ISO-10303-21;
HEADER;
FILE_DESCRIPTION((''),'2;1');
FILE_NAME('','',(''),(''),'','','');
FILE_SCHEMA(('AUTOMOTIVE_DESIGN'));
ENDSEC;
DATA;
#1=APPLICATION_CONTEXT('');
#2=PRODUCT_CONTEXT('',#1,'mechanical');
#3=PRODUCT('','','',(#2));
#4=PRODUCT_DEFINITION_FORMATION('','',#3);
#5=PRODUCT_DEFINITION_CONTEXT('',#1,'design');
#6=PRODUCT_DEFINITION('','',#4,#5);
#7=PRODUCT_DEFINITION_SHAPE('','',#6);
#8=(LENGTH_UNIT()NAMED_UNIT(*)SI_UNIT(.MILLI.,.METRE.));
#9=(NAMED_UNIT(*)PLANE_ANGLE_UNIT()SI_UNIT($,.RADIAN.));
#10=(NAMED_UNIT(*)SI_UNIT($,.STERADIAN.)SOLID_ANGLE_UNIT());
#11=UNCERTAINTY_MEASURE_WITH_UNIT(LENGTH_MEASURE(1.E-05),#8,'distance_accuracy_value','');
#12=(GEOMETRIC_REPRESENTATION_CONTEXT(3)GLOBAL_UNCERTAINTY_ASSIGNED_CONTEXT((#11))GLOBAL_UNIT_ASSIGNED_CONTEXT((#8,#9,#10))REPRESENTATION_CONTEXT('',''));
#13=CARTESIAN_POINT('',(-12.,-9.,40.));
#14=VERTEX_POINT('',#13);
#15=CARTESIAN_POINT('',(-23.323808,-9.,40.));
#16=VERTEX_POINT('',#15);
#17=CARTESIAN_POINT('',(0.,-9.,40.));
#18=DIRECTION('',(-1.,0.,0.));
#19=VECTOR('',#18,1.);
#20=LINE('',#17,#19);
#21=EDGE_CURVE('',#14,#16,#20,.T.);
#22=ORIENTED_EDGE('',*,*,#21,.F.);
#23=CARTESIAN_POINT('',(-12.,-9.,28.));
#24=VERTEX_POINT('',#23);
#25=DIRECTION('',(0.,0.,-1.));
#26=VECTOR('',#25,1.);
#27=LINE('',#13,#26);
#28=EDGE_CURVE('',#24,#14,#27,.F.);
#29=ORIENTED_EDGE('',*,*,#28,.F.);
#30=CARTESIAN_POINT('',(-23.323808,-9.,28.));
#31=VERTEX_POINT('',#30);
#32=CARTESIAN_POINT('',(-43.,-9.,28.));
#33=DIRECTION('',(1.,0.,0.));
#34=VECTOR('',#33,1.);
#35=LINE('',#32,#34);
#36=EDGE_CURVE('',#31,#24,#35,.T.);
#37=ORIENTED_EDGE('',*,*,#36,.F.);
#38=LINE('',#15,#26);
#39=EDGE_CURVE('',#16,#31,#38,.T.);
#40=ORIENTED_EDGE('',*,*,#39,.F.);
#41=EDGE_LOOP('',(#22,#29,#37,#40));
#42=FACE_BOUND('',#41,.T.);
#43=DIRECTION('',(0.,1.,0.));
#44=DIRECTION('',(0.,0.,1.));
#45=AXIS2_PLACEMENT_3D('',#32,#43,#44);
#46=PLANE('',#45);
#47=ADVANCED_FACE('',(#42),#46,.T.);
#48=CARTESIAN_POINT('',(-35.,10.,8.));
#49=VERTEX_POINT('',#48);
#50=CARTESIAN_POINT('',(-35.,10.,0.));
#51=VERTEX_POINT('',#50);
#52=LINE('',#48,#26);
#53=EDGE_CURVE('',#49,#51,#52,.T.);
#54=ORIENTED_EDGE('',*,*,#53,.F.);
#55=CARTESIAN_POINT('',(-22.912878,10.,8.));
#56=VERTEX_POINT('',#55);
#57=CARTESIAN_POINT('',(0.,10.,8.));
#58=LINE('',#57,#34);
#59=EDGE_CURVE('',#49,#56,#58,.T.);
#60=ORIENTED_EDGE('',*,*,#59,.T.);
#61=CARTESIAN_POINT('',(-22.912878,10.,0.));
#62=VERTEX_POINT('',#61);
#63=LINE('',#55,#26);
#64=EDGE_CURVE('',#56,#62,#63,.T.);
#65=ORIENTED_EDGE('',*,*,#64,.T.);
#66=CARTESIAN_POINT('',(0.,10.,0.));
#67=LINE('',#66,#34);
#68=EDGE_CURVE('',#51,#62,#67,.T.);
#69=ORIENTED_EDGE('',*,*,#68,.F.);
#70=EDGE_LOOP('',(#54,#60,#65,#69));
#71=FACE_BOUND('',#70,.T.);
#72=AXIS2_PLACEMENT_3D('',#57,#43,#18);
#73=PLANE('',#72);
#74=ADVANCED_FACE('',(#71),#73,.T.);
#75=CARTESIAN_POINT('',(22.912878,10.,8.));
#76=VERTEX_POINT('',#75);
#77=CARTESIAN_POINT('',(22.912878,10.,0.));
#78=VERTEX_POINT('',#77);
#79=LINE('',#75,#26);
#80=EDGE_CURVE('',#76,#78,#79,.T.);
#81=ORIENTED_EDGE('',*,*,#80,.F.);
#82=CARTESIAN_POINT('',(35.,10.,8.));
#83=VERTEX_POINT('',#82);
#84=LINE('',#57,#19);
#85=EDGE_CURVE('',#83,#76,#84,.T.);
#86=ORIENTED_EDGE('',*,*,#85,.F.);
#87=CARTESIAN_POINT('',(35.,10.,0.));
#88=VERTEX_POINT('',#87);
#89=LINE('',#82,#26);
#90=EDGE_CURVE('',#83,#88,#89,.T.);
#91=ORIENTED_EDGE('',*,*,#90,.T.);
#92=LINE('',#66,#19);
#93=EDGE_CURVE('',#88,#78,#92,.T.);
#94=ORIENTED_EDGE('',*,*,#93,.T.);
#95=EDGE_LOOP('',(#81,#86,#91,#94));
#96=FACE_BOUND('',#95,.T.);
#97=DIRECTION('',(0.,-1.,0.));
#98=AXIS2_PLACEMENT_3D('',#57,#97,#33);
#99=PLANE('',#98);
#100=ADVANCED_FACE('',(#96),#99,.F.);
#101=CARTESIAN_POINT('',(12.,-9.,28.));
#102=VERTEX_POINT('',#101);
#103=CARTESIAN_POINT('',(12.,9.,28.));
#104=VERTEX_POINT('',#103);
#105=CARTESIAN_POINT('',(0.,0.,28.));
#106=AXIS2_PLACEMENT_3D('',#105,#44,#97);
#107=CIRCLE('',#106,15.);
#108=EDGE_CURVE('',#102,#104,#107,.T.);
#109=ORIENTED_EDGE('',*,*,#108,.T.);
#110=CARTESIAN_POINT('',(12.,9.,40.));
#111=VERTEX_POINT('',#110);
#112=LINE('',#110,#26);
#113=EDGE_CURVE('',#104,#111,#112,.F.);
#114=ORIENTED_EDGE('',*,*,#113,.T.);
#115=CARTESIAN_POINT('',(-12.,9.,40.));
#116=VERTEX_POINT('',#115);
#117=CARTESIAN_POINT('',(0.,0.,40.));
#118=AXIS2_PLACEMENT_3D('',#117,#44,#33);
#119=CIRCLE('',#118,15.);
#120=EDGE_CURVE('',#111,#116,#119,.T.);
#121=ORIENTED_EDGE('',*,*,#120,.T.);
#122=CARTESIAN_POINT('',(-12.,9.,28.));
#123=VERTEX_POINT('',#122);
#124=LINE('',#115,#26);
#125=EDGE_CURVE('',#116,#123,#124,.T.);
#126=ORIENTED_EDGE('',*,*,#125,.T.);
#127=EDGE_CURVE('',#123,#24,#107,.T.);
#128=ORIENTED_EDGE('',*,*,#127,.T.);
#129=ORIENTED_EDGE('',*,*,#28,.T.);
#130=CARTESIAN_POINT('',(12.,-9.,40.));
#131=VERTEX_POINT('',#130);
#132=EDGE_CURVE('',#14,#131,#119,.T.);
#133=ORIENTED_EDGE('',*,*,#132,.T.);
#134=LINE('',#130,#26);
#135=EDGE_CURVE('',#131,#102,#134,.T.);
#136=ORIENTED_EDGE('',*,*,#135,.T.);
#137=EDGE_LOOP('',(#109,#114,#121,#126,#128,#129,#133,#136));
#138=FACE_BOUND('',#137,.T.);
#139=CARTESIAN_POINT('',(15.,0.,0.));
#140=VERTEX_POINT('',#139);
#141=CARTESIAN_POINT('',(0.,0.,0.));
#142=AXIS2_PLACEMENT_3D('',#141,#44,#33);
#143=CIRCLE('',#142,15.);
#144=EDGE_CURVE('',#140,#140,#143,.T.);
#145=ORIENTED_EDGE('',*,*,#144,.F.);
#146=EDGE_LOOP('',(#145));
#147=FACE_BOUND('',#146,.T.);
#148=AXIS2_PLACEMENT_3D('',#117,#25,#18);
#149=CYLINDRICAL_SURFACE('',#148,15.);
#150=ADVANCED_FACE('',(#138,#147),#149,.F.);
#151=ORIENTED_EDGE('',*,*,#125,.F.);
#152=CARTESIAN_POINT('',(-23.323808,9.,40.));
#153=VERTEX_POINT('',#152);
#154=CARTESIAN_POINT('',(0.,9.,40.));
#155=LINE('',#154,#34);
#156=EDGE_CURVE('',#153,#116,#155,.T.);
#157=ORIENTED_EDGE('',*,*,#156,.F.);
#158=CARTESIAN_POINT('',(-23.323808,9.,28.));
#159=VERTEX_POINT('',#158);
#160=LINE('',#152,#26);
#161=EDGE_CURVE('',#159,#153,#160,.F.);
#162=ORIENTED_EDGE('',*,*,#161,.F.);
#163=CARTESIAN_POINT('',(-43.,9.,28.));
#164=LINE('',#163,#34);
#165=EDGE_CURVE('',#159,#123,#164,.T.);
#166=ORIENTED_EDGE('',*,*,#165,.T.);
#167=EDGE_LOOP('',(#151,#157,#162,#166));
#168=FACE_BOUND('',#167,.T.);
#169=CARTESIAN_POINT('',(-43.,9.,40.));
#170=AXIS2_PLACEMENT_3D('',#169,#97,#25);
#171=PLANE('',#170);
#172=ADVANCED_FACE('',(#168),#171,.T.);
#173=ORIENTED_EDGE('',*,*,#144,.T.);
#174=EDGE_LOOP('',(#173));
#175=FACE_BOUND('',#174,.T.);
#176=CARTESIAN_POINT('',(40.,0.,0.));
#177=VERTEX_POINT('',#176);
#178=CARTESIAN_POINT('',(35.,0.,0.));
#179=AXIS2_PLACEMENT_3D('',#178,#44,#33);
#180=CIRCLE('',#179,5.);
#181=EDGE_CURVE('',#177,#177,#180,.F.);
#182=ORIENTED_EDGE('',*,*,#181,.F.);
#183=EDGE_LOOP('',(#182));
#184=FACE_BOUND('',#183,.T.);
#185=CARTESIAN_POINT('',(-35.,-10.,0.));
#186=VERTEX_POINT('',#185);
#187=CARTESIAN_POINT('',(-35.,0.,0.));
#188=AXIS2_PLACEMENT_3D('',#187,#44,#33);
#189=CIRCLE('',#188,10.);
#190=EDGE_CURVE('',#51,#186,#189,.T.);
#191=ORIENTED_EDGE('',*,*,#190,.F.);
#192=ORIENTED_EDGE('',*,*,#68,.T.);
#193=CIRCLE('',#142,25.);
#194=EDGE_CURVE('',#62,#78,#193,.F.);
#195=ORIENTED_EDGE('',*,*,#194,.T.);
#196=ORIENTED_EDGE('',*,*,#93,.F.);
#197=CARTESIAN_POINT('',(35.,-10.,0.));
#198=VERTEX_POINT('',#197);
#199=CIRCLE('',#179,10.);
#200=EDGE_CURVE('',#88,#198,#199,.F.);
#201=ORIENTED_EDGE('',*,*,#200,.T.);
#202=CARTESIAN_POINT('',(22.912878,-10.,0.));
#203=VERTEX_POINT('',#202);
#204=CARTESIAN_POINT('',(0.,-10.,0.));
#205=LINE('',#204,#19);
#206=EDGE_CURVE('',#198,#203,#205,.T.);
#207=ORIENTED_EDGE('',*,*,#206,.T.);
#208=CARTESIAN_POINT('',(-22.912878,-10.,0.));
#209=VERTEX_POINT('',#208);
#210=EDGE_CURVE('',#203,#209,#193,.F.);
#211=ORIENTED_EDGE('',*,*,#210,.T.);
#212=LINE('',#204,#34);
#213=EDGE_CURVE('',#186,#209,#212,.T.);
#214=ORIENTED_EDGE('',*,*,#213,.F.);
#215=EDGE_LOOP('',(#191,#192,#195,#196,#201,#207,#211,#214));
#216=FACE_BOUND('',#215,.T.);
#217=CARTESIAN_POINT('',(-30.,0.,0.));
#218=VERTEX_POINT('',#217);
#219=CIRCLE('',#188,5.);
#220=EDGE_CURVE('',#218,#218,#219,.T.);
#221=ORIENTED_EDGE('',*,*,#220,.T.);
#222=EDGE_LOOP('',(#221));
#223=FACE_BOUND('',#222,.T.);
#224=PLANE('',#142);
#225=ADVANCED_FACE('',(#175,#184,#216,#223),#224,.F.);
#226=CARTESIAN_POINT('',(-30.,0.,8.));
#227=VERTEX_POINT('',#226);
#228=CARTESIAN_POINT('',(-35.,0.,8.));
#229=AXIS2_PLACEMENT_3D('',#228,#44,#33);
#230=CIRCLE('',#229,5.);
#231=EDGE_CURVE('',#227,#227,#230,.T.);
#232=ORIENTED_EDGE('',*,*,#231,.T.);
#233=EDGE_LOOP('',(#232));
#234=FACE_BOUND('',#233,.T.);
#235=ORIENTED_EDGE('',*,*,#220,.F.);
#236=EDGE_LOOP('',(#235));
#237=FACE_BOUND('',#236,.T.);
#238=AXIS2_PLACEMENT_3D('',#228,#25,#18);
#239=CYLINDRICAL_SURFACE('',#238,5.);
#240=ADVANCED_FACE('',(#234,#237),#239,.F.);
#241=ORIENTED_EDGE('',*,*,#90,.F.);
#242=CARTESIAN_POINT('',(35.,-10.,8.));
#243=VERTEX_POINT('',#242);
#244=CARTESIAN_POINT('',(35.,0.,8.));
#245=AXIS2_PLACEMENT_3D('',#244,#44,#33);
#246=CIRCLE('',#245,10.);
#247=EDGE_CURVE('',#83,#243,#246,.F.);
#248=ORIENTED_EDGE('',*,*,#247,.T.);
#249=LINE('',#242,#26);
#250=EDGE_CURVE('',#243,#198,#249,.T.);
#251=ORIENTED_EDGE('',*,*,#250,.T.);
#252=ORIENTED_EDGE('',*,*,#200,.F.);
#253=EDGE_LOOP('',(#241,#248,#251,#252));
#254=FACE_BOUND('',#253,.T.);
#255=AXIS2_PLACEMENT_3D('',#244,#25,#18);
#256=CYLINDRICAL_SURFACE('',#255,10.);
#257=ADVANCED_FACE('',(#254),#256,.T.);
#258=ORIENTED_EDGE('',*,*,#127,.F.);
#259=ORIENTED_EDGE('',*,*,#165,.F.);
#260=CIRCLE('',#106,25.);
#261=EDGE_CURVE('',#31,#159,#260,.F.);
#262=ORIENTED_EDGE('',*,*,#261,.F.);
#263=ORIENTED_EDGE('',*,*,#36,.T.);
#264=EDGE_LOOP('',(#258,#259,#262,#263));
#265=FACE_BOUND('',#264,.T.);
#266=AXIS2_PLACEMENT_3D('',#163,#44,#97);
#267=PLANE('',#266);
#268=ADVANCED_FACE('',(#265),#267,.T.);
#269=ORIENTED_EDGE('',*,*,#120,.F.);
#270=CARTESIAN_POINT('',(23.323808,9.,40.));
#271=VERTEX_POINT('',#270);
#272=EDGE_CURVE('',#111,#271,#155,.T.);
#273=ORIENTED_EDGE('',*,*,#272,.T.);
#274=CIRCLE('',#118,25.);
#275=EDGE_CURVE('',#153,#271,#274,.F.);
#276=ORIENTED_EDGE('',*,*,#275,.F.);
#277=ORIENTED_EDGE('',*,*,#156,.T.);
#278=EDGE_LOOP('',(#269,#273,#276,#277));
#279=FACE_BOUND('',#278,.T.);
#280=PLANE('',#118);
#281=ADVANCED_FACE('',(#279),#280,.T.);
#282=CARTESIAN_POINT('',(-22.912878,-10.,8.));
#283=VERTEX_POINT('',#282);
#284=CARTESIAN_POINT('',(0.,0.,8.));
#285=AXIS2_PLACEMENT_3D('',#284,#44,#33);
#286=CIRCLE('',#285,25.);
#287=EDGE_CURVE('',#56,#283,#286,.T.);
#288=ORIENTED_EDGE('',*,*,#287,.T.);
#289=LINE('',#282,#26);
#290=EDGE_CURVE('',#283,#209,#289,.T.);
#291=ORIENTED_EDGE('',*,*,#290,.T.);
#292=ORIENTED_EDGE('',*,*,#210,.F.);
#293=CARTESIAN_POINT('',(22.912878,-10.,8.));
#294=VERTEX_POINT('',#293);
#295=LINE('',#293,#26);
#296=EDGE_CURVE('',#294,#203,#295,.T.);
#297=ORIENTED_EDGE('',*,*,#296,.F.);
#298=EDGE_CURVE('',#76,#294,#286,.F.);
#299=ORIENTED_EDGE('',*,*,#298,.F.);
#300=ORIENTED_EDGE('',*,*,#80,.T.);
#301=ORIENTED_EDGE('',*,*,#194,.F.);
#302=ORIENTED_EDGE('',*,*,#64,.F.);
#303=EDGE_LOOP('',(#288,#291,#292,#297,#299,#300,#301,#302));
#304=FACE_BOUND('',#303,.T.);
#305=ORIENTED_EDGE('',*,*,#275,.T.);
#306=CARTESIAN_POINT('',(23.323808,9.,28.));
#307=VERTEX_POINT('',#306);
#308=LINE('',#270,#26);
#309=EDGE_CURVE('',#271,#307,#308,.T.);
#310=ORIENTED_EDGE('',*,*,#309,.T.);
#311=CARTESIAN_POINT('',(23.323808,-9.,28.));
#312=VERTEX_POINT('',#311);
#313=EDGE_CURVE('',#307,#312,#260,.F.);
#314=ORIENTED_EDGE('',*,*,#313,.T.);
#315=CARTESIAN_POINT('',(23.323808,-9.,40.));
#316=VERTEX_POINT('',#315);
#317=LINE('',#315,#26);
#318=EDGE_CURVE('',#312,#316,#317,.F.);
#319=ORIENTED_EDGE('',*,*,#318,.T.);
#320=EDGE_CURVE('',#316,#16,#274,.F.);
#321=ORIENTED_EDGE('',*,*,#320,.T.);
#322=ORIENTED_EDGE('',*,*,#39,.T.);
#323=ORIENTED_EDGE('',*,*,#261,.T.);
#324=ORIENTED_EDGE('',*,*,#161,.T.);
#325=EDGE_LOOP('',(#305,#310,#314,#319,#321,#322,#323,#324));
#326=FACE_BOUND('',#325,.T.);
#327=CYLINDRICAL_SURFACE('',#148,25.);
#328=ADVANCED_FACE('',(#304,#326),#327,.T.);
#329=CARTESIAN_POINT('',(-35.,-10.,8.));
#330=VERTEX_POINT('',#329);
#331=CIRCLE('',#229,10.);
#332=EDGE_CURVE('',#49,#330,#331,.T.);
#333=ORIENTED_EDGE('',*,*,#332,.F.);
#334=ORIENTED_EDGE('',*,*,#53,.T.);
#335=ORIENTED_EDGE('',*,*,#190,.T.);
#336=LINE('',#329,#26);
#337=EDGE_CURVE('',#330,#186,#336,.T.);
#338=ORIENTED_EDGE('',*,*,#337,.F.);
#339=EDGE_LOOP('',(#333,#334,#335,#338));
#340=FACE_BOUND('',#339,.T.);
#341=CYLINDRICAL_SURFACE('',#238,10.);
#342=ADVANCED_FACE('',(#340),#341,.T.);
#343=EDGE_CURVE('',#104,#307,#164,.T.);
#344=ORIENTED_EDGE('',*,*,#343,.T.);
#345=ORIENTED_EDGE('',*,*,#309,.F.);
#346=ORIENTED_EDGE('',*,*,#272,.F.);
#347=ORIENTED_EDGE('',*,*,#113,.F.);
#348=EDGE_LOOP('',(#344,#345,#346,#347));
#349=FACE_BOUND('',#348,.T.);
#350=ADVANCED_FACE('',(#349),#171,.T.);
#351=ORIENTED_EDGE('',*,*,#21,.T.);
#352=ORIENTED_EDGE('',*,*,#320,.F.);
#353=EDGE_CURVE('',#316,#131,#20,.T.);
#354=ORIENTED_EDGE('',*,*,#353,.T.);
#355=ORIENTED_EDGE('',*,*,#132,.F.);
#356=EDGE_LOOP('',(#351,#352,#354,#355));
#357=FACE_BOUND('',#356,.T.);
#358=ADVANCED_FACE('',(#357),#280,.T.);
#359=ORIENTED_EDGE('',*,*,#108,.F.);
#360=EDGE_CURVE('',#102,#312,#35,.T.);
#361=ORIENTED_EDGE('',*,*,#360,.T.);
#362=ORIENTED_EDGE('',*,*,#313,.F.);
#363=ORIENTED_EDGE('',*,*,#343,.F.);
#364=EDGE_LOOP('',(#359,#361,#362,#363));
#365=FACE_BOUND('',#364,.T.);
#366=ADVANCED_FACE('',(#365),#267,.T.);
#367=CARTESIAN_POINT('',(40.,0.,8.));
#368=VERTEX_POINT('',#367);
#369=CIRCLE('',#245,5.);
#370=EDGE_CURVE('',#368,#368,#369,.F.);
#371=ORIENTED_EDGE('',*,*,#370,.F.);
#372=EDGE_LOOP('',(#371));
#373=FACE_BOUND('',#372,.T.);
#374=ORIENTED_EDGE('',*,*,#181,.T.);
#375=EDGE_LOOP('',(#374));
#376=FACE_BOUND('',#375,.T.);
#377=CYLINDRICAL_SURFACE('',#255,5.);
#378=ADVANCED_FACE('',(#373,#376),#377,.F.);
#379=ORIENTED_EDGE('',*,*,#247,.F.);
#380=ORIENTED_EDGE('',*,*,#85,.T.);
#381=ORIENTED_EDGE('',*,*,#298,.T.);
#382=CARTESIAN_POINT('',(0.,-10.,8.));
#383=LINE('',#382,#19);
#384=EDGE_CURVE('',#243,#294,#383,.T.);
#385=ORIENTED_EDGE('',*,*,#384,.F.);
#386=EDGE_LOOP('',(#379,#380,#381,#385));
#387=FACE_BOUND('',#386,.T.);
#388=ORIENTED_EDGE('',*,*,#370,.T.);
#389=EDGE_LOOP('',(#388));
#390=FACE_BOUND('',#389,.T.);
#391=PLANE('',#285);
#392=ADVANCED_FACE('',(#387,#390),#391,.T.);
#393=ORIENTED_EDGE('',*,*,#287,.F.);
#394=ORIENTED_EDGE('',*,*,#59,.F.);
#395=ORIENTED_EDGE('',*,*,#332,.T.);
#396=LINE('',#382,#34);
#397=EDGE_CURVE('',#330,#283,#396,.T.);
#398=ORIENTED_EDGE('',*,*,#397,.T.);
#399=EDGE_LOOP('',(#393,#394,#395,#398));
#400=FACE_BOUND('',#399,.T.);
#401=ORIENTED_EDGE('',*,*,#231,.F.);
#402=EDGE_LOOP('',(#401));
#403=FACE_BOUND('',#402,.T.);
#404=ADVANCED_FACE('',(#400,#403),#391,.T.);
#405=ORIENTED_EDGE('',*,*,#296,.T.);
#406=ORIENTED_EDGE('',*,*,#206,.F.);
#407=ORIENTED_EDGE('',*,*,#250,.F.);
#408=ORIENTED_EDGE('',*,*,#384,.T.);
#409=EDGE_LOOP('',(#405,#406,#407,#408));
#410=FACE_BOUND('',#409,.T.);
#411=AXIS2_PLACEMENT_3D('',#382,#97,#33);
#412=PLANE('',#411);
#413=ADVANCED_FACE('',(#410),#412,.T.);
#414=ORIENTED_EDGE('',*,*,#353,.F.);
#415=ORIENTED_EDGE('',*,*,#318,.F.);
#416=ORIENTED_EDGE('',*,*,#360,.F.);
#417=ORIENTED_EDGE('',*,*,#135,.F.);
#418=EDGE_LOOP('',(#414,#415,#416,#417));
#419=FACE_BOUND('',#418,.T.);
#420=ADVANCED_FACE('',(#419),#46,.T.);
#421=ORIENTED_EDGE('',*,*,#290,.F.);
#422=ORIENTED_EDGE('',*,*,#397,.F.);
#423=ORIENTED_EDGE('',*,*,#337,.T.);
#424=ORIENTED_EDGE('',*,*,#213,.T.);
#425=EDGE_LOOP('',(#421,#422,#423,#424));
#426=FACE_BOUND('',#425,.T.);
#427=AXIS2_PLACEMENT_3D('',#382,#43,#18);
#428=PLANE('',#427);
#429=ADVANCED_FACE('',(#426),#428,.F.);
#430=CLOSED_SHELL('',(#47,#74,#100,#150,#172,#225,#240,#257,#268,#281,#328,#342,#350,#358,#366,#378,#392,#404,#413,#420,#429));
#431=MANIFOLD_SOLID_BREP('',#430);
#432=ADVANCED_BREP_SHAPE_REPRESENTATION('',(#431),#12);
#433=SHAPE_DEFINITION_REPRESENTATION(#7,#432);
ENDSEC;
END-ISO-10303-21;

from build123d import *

# Parameters (mm, degrees)
SKETCH1_R           = 15
BOSS_EXTRUDE5_DEPTH = 40
SKETCH1_12_R        = 5
BOSS_EXTRUDE6_DEPTH = 8
SKETCH2_W           = 12
SKETCH2_H           = 18
CUT_EXTRUDE1_DEPTH  = 68


with BuildPart() as part:
    # Sketch1 → Boss-Extrude5 (new body)
    with BuildSketch(Plane.XY):
        with BuildLine():
            ThreePointArc((22.912878475, 10), (0, 25), (-22.912878475, 10))
            ThreePointArc((-22.912878475, 10), (-25, 0), (-22.912878475, -10))
            ThreePointArc((-22.912878475, -10), (0, -25), (22.912878475, -10))
            ThreePointArc((22.912878475, -10), (25, 0), (22.912878475, 10))
        make_face()
        Circle(SKETCH1_R, mode=Mode.SUBTRACT)
    extrude(amount=BOSS_EXTRUDE5_DEPTH)

    # Sketch1<12> → Boss-Extrude6 (add)
    # profile 1 of 2: a face of its own
    with BuildSketch(Plane.XY):
        with BuildLine():
            Line((-22.912878475, 10), (-35, 10))
            ThreePointArc((-35, 10), (-45, 0), (-35, -10))
            Line((-35, -10), (-22.912878475, -10))
            ThreePointArc((-22.912878475, -10), (-25, 0), (-22.912878475, 10))
        make_face()
        with Locations((-35, 0)):
            Circle(SKETCH1_12_R, mode=Mode.SUBTRACT)
    # profile 2 of 2: a face of its own
    with BuildSketch(Plane.XY):
        with BuildLine():
            Line((35, 10), (22.912878475, 10))
            ThreePointArc((22.912878475, 10), (25, 0), (22.912878475, -10))
            Line((22.912878475, -10), (35, -10))
            ThreePointArc((35, -10), (45, 0), (35, 10))
        make_face()
        with Locations((35, 0)):
            Circle(SKETCH1_12_R, mode=Mode.SUBTRACT)
    extrude(amount=BOSS_EXTRUDE6_DEPTH)

    # Sketch2 → Cut-Extrude1 (cut)
    with BuildSketch(Plane(origin=(25, 0, 0), x_dir=(0, 0, -1), z_dir=(1, 0, 0))):
        with Locations((-34, 0)):
            Rectangle(SKETCH2_W, SKETCH2_H)
    extrude(amount=-CUT_EXTRUDE1_DEPTH, mode=Mode.SUBTRACT)


solid = part.part
